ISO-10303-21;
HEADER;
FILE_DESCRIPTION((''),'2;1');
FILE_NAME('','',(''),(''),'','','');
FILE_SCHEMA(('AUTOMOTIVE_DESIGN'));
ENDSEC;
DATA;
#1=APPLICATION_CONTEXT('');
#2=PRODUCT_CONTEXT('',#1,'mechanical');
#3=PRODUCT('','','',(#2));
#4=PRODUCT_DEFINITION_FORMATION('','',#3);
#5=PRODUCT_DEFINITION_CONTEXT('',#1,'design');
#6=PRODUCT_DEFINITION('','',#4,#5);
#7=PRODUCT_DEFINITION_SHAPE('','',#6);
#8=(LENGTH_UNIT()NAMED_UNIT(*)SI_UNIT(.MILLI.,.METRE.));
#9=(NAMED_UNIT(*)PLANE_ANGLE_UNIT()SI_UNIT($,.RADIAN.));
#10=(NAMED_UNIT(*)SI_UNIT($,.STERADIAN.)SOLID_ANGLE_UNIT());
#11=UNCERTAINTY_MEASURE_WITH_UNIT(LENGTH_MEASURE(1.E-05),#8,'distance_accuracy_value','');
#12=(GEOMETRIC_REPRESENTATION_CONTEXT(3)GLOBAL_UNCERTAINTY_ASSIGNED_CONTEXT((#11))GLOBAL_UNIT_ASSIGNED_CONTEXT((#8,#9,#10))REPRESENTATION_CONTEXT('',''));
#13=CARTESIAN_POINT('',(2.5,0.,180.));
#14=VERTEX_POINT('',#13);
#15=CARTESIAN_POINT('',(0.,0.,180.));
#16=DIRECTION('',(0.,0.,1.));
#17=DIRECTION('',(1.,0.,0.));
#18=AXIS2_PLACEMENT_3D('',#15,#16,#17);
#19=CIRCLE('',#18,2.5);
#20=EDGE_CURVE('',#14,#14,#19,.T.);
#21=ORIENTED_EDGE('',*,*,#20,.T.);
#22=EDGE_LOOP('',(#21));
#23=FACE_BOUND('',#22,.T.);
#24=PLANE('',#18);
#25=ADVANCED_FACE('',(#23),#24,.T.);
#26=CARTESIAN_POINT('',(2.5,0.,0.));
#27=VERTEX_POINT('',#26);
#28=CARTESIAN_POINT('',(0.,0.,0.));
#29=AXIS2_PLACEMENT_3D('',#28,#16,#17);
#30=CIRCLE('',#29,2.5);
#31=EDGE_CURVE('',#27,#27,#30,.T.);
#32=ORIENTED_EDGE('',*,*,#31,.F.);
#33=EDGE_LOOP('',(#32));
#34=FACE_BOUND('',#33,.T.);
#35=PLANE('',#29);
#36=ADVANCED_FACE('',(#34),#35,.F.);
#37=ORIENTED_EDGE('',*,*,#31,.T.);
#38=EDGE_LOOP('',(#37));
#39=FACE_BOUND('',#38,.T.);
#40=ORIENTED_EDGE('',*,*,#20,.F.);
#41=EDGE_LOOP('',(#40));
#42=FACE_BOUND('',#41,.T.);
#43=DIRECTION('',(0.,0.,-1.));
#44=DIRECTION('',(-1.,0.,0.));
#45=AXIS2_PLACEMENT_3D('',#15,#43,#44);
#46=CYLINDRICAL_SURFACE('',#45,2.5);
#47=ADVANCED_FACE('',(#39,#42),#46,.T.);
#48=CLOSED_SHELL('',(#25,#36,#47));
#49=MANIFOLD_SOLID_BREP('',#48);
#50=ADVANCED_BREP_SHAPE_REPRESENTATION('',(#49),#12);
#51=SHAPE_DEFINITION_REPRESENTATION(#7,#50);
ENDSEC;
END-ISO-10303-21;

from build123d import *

# Parameters (mm, degrees)
SKETCH1_R           = 2.5
BOSS_EXTRUDE1_DEPTH = 180


with BuildPart() as part:
    # Sketch1 → Boss-Extrude1 (new body)
    with BuildSketch(Plane.XY):
        Circle(SKETCH1_R)
    extrude(amount=BOSS_EXTRUDE1_DEPTH)


solid = part.part
